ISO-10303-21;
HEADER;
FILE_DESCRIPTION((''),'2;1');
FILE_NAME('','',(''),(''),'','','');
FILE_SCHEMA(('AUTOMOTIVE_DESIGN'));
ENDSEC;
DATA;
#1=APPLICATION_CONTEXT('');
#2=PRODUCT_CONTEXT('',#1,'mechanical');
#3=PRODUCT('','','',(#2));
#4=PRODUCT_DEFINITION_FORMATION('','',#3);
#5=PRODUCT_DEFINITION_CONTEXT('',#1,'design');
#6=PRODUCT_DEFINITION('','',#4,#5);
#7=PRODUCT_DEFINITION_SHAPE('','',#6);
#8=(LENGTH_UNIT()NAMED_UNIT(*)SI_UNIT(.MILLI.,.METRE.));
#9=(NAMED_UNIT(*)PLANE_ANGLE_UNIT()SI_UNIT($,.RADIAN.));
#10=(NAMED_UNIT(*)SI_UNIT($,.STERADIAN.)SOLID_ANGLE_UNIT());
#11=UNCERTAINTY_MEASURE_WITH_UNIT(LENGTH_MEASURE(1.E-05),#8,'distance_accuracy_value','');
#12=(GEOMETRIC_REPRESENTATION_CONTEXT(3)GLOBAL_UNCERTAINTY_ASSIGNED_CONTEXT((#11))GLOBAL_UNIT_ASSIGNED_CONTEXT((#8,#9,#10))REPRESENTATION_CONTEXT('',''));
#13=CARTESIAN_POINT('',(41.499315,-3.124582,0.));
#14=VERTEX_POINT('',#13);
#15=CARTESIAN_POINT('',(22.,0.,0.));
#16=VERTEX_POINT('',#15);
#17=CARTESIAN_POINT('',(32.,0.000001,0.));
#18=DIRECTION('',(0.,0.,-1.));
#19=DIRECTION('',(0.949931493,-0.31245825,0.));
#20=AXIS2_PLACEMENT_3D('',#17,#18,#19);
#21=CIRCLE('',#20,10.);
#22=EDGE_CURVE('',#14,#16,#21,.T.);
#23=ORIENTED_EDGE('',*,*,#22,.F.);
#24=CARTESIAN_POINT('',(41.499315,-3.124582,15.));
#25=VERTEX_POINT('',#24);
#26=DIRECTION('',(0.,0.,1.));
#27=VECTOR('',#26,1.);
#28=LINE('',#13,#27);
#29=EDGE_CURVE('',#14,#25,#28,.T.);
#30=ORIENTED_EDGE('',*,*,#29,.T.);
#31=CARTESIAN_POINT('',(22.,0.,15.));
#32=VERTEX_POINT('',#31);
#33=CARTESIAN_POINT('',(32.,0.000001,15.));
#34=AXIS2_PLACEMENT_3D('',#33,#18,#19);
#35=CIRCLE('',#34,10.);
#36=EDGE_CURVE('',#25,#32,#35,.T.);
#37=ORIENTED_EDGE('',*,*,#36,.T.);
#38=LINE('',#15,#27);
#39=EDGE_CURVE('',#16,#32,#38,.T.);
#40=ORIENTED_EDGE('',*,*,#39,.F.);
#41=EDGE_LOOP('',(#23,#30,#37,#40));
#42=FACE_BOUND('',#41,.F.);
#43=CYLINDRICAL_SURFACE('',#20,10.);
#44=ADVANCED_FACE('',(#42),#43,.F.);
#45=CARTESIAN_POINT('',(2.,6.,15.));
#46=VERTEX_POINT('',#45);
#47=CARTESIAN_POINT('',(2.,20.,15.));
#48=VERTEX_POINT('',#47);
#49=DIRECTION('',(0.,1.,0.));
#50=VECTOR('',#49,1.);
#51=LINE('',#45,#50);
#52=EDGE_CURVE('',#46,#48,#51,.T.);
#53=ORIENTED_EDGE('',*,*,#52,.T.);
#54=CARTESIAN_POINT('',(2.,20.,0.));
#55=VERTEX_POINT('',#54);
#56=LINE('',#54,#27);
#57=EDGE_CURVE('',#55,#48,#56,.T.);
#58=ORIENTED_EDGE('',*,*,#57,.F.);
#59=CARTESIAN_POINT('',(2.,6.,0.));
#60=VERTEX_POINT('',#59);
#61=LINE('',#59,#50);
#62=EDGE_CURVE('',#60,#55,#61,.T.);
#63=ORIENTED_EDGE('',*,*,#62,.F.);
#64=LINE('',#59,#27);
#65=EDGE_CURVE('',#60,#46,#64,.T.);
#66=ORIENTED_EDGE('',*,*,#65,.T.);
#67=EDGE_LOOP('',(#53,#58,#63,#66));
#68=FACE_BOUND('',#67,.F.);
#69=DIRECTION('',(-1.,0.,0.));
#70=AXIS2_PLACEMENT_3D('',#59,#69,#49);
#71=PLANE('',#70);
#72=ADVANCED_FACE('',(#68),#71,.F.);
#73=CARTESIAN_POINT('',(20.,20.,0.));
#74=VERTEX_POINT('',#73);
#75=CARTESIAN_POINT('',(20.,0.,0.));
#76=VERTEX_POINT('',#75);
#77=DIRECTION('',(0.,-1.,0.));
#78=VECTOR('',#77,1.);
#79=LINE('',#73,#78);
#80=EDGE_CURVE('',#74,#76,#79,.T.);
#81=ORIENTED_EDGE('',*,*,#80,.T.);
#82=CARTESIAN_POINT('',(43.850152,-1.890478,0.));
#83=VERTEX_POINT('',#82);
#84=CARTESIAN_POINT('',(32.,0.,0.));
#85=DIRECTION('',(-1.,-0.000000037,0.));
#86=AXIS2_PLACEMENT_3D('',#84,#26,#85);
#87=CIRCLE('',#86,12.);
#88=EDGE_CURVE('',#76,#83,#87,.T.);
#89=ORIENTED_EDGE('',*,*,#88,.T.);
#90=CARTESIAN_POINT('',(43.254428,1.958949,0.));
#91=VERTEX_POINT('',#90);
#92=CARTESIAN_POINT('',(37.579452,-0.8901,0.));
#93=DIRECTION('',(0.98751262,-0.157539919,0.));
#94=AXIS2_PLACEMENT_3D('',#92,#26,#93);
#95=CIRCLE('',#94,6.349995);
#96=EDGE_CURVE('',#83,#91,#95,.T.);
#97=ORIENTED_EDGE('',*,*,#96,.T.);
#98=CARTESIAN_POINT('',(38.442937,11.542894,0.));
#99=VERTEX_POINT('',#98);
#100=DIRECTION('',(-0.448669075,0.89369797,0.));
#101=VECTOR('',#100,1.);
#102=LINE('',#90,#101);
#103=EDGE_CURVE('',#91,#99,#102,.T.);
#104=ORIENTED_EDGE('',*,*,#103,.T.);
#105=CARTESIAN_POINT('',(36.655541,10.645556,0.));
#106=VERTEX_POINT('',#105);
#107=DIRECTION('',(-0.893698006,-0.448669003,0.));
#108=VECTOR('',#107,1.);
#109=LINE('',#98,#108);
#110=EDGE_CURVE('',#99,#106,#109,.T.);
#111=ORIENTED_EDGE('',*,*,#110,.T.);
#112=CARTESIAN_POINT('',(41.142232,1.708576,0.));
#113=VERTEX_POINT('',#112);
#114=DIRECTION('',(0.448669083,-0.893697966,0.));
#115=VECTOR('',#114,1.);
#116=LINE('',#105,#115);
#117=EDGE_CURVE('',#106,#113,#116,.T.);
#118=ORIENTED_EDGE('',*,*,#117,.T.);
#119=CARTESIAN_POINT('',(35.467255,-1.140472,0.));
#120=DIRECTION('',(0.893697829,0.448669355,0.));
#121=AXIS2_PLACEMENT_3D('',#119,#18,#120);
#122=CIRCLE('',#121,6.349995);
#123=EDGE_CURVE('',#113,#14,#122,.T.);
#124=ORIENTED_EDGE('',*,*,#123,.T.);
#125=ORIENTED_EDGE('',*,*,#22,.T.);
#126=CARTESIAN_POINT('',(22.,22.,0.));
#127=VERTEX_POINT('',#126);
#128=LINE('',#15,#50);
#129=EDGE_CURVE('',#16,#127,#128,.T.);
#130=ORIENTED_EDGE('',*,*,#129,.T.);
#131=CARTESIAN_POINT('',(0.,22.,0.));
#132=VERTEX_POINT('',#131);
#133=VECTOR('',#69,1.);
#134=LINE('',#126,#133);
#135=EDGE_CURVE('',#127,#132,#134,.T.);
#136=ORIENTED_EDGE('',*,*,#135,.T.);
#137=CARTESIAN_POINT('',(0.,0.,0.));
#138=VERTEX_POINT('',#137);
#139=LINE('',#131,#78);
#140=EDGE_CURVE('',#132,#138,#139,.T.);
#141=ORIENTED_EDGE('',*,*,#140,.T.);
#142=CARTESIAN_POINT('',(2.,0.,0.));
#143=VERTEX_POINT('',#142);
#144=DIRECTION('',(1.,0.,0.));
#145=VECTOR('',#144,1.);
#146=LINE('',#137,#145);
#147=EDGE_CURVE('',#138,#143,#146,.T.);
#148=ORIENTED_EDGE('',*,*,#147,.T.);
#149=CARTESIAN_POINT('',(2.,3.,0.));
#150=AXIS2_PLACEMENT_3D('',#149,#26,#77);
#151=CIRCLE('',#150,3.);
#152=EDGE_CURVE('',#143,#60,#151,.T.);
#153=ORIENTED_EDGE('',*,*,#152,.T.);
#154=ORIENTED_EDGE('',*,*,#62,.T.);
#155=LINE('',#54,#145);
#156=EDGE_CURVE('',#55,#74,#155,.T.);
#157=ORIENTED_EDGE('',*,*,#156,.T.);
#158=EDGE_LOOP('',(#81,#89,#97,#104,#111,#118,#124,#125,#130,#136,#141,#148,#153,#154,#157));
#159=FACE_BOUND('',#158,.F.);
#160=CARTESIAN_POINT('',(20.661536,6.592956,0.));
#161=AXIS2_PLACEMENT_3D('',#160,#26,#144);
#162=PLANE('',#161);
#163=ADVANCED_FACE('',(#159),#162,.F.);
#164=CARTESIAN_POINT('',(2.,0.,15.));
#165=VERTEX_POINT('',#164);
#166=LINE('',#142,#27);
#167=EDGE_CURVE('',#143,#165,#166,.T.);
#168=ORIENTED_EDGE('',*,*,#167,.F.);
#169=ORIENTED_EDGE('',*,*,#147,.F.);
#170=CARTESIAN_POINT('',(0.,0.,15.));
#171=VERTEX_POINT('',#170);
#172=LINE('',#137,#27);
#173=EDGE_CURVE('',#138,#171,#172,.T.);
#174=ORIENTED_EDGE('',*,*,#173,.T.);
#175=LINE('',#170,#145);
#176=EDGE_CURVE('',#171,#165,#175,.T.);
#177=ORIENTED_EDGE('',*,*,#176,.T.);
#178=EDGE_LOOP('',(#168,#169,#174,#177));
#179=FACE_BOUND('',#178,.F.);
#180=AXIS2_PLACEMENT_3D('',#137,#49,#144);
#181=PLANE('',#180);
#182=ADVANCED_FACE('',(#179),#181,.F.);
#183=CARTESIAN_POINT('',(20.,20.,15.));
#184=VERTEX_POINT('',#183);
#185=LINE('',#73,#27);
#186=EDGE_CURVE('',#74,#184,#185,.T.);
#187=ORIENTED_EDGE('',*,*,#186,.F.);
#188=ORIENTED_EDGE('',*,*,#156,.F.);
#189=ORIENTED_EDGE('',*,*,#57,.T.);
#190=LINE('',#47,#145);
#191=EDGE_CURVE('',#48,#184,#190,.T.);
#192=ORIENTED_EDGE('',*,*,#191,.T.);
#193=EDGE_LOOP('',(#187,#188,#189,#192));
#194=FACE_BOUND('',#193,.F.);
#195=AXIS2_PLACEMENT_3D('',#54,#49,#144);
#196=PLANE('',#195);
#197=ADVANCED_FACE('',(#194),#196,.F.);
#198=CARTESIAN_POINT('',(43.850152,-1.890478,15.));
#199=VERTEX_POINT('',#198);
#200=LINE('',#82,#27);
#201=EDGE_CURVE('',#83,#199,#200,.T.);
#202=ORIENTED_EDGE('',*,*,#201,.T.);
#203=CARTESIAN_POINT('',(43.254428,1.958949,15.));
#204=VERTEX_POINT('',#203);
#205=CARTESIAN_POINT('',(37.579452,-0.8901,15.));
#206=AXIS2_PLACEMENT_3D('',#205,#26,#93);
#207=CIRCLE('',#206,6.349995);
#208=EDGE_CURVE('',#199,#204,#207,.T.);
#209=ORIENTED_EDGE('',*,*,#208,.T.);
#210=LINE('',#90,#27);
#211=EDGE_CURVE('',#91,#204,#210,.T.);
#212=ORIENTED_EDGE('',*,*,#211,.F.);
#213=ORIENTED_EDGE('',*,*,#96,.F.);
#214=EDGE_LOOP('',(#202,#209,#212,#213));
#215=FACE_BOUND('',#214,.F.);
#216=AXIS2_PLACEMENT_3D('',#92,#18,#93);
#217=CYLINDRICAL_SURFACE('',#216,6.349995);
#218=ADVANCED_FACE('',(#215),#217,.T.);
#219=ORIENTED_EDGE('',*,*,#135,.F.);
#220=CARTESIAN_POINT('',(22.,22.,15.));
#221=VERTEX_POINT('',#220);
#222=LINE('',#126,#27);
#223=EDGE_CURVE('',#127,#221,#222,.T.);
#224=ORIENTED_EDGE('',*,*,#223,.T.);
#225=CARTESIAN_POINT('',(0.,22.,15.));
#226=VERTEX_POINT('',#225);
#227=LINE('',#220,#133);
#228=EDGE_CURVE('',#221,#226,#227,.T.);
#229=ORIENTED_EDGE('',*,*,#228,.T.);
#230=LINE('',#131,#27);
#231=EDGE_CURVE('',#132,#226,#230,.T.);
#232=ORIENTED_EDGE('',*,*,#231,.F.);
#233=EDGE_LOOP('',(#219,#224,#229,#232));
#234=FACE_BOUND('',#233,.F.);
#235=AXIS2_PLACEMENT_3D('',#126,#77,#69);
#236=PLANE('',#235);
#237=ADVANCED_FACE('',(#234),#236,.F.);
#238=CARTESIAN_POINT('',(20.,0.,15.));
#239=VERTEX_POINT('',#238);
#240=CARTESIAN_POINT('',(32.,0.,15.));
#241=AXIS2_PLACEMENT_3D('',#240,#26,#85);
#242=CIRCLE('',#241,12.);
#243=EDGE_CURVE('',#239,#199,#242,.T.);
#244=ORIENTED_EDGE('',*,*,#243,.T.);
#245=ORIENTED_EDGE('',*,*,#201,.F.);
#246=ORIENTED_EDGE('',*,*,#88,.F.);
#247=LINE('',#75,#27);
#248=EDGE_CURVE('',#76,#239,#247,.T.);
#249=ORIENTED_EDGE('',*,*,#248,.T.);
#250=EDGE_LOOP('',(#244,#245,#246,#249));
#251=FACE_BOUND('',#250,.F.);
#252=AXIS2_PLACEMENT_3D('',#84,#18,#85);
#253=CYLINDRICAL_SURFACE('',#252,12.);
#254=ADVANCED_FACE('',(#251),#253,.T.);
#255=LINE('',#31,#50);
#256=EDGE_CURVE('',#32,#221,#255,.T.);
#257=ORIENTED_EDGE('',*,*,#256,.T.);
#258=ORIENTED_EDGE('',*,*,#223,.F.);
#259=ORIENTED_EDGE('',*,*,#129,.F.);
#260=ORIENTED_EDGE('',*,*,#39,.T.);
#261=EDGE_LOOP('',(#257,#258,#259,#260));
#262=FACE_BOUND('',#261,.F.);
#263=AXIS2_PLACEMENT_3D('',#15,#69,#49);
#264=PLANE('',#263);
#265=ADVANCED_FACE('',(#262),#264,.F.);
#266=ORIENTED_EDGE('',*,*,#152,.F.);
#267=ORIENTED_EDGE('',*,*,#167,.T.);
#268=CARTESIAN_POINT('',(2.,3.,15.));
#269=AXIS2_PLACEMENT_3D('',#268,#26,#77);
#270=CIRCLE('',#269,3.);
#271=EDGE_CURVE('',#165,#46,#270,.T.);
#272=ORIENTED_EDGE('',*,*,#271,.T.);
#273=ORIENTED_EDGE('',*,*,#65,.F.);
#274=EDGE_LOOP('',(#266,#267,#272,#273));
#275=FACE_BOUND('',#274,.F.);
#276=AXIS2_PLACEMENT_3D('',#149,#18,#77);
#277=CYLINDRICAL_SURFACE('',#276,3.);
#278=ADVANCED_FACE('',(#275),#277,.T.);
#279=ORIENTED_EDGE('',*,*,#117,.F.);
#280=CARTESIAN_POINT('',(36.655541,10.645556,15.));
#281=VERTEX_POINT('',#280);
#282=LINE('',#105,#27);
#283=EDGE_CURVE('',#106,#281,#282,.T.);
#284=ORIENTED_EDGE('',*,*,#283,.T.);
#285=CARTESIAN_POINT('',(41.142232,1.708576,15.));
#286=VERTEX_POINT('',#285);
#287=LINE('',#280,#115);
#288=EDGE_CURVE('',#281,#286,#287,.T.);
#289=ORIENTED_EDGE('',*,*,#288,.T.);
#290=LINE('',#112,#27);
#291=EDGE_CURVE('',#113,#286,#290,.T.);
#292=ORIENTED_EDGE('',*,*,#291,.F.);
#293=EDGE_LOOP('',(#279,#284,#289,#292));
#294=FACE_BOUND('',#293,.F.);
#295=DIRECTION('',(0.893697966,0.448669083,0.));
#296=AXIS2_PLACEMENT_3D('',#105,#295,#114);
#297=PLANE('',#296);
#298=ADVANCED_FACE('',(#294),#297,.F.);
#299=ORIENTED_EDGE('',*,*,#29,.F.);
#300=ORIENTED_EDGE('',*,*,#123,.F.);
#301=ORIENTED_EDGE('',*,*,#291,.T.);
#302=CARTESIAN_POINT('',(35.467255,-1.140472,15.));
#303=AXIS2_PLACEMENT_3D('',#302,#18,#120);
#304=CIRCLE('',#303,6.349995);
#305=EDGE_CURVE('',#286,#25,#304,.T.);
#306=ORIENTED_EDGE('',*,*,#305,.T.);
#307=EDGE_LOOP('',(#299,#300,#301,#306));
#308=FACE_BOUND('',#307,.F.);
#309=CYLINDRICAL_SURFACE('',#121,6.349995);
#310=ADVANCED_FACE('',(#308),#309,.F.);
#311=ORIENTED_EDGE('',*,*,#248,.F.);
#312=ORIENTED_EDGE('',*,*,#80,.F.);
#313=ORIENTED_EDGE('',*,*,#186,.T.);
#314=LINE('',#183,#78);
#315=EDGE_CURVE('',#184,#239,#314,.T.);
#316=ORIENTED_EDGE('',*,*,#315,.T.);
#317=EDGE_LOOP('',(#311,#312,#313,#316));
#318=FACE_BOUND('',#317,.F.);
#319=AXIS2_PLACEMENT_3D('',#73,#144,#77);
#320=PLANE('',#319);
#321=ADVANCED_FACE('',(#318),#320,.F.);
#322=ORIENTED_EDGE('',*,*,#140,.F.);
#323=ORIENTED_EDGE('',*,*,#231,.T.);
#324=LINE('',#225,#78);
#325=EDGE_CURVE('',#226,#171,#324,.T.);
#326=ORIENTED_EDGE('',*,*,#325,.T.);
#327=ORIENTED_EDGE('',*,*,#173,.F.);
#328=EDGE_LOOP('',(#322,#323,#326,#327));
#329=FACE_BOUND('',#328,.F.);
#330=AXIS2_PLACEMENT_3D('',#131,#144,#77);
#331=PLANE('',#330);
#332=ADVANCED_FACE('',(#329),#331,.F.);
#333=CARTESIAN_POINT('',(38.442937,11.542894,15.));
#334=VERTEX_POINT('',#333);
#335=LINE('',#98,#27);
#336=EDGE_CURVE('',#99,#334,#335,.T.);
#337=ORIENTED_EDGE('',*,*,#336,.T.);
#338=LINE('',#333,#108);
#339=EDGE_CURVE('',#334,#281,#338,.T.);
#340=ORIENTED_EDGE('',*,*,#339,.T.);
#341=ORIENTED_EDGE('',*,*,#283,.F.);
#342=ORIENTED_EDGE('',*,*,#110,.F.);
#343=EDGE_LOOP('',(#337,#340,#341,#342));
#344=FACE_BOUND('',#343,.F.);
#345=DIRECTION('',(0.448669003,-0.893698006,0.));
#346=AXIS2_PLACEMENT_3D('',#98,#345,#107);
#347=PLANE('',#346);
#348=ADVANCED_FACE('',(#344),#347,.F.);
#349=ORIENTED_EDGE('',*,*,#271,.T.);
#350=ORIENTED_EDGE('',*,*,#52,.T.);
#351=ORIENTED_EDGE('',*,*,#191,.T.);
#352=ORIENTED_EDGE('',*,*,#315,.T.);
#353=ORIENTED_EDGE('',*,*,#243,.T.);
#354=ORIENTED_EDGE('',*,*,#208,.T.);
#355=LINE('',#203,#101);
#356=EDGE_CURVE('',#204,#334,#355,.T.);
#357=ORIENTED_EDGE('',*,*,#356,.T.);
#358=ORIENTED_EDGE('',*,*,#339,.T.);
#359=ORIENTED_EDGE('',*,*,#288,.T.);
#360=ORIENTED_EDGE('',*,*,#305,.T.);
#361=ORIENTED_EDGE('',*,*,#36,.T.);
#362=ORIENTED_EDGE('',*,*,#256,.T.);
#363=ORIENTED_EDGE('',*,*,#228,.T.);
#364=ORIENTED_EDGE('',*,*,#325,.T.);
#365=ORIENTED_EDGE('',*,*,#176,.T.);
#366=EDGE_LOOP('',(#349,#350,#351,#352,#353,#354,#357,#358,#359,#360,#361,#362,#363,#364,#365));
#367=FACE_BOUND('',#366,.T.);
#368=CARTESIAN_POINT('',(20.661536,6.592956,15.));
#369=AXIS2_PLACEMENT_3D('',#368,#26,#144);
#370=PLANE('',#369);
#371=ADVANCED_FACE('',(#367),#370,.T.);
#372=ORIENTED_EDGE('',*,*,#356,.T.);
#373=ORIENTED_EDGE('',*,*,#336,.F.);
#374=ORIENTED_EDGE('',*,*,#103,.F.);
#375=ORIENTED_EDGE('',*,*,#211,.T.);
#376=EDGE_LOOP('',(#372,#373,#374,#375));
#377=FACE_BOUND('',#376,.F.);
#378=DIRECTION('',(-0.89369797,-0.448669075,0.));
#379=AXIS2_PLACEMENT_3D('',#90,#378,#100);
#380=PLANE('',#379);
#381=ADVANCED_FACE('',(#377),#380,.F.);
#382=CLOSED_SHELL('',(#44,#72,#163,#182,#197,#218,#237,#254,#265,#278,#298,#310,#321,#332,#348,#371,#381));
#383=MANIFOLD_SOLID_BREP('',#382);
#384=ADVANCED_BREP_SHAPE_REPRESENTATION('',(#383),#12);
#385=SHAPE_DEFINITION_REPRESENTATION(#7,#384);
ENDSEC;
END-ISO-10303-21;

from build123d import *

# Parameters (mm, degrees)
F1_DEPTH = 15


with BuildPart() as f1:
    # F0 (on Top) → F1 (new body)
    with BuildSketch(Plane.XY):
        with BuildLine():
            Line((0, 22), (0, 0))
            Line((0, 0), (2, 0))
            ThreePointArc((2, 0), (5, 3), (2, 6))
            Line((2, 6), (2, 20))
            Line((2, 20), (20, 20))
            Line((20, 20), (20, 0))
            ThreePointArc((20, 0), (31.051796, -11.962479), (43.850152, -1.890478))
            ThreePointArc((43.850152, -1.890478), (43.854746, 0.081043), (43.254428, 1.958949))
            Line((43.254428, 1.958949), (38.442937, 11.542894))
            Line((38.442937, 11.542894), (36.655541, 10.645556))
            Line((36.655541, 10.645556), (41.142232, 1.708576))
            ThreePointArc((41.142232, 1.708576), (41.79999, -0.672597), (41.499315, -3.124582))
            ThreePointArc((41.499315, -3.124582), (30.417779, -9.874035), (22, 0))
            Line((22, 0), (22, 22))
            Line((22, 22), (0, 22))
        make_face()
    extrude(amount=F1_DEPTH)


solid = f1.part
